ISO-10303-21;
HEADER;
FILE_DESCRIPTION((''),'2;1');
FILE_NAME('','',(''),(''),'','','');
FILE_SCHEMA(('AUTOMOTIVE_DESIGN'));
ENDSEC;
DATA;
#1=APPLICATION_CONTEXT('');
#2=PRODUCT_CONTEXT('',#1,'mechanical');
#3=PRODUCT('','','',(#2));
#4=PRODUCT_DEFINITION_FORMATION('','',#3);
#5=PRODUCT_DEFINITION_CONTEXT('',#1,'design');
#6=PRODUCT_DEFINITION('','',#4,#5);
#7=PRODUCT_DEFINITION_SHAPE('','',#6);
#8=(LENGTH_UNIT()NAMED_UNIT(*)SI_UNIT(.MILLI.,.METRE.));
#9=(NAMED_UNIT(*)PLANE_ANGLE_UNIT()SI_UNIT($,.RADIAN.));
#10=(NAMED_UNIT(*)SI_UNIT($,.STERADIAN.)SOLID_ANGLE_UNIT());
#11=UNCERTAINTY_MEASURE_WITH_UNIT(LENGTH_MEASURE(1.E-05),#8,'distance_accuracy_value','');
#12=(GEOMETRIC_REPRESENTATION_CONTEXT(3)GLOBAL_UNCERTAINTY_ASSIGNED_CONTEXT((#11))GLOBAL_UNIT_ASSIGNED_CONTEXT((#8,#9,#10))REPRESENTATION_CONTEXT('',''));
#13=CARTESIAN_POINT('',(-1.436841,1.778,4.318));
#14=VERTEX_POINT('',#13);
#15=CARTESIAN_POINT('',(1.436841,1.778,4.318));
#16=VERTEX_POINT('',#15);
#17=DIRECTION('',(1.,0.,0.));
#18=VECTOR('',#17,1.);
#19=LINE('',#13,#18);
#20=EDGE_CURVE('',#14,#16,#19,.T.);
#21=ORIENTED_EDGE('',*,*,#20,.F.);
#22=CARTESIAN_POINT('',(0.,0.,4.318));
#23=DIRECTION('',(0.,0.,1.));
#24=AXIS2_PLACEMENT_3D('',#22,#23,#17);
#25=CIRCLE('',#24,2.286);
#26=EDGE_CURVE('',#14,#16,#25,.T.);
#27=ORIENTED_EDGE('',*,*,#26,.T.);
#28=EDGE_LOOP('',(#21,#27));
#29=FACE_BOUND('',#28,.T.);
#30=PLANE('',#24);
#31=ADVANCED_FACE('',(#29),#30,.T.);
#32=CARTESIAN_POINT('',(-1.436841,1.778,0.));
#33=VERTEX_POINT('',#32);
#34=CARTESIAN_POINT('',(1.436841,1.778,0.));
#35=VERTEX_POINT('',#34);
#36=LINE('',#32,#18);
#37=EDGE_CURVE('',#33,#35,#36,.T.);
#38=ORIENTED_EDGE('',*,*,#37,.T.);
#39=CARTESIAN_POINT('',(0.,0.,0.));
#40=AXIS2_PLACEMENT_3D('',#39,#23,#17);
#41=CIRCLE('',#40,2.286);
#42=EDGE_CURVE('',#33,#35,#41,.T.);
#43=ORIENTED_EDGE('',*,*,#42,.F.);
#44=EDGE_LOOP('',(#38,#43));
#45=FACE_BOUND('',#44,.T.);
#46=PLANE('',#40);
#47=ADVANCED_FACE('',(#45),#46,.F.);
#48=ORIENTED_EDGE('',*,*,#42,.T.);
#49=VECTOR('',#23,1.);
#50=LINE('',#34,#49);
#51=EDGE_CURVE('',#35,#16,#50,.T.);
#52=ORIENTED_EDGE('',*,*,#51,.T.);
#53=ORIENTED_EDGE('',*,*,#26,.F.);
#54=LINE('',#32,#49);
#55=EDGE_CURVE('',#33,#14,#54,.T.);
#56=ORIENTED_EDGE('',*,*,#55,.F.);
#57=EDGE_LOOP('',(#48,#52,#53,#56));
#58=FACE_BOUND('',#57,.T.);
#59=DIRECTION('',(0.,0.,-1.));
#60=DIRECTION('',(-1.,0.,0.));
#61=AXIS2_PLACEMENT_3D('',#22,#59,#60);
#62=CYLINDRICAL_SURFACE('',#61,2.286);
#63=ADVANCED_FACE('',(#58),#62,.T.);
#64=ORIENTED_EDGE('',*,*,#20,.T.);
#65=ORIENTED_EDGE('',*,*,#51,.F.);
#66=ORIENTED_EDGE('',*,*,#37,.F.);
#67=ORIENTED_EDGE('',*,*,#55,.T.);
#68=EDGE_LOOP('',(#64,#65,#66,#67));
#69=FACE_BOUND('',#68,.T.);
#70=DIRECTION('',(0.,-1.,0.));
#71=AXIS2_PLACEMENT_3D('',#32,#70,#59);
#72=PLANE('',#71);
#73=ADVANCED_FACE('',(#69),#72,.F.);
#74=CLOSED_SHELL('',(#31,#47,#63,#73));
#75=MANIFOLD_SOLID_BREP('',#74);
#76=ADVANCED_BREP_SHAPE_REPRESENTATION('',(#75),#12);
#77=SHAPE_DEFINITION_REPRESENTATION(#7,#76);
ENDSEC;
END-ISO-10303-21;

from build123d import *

# Parameters (mm, degrees)
SKETCH1_R           = 2.286
BOSS_EXTRUDE1_DEPTH = 4.318
CUT_EXTRUDE1_START  = -4.318
CUT_EXTRUDE1_DEPTH  = 4.318


with BuildPart() as part:
    # Sketch1 → Boss-Extrude1 (new body)
    with BuildSketch(Plane.XY):
        Circle(SKETCH1_R)
    extrude(amount=BOSS_EXTRUDE1_DEPTH)

    # Sketch2 → Cut-Extrude1 (cut)
    with BuildSketch(Plane.XY.offset(4.318).offset(CUT_EXTRUDE1_START)):
        with BuildLine():
            Line((-1.436840979, 1.778), (1.436840979, 1.778))
            ThreePointArc((1.436840979, 1.778), (0, 2.286), (-1.436840979, 1.778))
        make_face()
    extrude(amount=CUT_EXTRUDE1_DEPTH, mode=Mode.SUBTRACT)


solid = part.part
